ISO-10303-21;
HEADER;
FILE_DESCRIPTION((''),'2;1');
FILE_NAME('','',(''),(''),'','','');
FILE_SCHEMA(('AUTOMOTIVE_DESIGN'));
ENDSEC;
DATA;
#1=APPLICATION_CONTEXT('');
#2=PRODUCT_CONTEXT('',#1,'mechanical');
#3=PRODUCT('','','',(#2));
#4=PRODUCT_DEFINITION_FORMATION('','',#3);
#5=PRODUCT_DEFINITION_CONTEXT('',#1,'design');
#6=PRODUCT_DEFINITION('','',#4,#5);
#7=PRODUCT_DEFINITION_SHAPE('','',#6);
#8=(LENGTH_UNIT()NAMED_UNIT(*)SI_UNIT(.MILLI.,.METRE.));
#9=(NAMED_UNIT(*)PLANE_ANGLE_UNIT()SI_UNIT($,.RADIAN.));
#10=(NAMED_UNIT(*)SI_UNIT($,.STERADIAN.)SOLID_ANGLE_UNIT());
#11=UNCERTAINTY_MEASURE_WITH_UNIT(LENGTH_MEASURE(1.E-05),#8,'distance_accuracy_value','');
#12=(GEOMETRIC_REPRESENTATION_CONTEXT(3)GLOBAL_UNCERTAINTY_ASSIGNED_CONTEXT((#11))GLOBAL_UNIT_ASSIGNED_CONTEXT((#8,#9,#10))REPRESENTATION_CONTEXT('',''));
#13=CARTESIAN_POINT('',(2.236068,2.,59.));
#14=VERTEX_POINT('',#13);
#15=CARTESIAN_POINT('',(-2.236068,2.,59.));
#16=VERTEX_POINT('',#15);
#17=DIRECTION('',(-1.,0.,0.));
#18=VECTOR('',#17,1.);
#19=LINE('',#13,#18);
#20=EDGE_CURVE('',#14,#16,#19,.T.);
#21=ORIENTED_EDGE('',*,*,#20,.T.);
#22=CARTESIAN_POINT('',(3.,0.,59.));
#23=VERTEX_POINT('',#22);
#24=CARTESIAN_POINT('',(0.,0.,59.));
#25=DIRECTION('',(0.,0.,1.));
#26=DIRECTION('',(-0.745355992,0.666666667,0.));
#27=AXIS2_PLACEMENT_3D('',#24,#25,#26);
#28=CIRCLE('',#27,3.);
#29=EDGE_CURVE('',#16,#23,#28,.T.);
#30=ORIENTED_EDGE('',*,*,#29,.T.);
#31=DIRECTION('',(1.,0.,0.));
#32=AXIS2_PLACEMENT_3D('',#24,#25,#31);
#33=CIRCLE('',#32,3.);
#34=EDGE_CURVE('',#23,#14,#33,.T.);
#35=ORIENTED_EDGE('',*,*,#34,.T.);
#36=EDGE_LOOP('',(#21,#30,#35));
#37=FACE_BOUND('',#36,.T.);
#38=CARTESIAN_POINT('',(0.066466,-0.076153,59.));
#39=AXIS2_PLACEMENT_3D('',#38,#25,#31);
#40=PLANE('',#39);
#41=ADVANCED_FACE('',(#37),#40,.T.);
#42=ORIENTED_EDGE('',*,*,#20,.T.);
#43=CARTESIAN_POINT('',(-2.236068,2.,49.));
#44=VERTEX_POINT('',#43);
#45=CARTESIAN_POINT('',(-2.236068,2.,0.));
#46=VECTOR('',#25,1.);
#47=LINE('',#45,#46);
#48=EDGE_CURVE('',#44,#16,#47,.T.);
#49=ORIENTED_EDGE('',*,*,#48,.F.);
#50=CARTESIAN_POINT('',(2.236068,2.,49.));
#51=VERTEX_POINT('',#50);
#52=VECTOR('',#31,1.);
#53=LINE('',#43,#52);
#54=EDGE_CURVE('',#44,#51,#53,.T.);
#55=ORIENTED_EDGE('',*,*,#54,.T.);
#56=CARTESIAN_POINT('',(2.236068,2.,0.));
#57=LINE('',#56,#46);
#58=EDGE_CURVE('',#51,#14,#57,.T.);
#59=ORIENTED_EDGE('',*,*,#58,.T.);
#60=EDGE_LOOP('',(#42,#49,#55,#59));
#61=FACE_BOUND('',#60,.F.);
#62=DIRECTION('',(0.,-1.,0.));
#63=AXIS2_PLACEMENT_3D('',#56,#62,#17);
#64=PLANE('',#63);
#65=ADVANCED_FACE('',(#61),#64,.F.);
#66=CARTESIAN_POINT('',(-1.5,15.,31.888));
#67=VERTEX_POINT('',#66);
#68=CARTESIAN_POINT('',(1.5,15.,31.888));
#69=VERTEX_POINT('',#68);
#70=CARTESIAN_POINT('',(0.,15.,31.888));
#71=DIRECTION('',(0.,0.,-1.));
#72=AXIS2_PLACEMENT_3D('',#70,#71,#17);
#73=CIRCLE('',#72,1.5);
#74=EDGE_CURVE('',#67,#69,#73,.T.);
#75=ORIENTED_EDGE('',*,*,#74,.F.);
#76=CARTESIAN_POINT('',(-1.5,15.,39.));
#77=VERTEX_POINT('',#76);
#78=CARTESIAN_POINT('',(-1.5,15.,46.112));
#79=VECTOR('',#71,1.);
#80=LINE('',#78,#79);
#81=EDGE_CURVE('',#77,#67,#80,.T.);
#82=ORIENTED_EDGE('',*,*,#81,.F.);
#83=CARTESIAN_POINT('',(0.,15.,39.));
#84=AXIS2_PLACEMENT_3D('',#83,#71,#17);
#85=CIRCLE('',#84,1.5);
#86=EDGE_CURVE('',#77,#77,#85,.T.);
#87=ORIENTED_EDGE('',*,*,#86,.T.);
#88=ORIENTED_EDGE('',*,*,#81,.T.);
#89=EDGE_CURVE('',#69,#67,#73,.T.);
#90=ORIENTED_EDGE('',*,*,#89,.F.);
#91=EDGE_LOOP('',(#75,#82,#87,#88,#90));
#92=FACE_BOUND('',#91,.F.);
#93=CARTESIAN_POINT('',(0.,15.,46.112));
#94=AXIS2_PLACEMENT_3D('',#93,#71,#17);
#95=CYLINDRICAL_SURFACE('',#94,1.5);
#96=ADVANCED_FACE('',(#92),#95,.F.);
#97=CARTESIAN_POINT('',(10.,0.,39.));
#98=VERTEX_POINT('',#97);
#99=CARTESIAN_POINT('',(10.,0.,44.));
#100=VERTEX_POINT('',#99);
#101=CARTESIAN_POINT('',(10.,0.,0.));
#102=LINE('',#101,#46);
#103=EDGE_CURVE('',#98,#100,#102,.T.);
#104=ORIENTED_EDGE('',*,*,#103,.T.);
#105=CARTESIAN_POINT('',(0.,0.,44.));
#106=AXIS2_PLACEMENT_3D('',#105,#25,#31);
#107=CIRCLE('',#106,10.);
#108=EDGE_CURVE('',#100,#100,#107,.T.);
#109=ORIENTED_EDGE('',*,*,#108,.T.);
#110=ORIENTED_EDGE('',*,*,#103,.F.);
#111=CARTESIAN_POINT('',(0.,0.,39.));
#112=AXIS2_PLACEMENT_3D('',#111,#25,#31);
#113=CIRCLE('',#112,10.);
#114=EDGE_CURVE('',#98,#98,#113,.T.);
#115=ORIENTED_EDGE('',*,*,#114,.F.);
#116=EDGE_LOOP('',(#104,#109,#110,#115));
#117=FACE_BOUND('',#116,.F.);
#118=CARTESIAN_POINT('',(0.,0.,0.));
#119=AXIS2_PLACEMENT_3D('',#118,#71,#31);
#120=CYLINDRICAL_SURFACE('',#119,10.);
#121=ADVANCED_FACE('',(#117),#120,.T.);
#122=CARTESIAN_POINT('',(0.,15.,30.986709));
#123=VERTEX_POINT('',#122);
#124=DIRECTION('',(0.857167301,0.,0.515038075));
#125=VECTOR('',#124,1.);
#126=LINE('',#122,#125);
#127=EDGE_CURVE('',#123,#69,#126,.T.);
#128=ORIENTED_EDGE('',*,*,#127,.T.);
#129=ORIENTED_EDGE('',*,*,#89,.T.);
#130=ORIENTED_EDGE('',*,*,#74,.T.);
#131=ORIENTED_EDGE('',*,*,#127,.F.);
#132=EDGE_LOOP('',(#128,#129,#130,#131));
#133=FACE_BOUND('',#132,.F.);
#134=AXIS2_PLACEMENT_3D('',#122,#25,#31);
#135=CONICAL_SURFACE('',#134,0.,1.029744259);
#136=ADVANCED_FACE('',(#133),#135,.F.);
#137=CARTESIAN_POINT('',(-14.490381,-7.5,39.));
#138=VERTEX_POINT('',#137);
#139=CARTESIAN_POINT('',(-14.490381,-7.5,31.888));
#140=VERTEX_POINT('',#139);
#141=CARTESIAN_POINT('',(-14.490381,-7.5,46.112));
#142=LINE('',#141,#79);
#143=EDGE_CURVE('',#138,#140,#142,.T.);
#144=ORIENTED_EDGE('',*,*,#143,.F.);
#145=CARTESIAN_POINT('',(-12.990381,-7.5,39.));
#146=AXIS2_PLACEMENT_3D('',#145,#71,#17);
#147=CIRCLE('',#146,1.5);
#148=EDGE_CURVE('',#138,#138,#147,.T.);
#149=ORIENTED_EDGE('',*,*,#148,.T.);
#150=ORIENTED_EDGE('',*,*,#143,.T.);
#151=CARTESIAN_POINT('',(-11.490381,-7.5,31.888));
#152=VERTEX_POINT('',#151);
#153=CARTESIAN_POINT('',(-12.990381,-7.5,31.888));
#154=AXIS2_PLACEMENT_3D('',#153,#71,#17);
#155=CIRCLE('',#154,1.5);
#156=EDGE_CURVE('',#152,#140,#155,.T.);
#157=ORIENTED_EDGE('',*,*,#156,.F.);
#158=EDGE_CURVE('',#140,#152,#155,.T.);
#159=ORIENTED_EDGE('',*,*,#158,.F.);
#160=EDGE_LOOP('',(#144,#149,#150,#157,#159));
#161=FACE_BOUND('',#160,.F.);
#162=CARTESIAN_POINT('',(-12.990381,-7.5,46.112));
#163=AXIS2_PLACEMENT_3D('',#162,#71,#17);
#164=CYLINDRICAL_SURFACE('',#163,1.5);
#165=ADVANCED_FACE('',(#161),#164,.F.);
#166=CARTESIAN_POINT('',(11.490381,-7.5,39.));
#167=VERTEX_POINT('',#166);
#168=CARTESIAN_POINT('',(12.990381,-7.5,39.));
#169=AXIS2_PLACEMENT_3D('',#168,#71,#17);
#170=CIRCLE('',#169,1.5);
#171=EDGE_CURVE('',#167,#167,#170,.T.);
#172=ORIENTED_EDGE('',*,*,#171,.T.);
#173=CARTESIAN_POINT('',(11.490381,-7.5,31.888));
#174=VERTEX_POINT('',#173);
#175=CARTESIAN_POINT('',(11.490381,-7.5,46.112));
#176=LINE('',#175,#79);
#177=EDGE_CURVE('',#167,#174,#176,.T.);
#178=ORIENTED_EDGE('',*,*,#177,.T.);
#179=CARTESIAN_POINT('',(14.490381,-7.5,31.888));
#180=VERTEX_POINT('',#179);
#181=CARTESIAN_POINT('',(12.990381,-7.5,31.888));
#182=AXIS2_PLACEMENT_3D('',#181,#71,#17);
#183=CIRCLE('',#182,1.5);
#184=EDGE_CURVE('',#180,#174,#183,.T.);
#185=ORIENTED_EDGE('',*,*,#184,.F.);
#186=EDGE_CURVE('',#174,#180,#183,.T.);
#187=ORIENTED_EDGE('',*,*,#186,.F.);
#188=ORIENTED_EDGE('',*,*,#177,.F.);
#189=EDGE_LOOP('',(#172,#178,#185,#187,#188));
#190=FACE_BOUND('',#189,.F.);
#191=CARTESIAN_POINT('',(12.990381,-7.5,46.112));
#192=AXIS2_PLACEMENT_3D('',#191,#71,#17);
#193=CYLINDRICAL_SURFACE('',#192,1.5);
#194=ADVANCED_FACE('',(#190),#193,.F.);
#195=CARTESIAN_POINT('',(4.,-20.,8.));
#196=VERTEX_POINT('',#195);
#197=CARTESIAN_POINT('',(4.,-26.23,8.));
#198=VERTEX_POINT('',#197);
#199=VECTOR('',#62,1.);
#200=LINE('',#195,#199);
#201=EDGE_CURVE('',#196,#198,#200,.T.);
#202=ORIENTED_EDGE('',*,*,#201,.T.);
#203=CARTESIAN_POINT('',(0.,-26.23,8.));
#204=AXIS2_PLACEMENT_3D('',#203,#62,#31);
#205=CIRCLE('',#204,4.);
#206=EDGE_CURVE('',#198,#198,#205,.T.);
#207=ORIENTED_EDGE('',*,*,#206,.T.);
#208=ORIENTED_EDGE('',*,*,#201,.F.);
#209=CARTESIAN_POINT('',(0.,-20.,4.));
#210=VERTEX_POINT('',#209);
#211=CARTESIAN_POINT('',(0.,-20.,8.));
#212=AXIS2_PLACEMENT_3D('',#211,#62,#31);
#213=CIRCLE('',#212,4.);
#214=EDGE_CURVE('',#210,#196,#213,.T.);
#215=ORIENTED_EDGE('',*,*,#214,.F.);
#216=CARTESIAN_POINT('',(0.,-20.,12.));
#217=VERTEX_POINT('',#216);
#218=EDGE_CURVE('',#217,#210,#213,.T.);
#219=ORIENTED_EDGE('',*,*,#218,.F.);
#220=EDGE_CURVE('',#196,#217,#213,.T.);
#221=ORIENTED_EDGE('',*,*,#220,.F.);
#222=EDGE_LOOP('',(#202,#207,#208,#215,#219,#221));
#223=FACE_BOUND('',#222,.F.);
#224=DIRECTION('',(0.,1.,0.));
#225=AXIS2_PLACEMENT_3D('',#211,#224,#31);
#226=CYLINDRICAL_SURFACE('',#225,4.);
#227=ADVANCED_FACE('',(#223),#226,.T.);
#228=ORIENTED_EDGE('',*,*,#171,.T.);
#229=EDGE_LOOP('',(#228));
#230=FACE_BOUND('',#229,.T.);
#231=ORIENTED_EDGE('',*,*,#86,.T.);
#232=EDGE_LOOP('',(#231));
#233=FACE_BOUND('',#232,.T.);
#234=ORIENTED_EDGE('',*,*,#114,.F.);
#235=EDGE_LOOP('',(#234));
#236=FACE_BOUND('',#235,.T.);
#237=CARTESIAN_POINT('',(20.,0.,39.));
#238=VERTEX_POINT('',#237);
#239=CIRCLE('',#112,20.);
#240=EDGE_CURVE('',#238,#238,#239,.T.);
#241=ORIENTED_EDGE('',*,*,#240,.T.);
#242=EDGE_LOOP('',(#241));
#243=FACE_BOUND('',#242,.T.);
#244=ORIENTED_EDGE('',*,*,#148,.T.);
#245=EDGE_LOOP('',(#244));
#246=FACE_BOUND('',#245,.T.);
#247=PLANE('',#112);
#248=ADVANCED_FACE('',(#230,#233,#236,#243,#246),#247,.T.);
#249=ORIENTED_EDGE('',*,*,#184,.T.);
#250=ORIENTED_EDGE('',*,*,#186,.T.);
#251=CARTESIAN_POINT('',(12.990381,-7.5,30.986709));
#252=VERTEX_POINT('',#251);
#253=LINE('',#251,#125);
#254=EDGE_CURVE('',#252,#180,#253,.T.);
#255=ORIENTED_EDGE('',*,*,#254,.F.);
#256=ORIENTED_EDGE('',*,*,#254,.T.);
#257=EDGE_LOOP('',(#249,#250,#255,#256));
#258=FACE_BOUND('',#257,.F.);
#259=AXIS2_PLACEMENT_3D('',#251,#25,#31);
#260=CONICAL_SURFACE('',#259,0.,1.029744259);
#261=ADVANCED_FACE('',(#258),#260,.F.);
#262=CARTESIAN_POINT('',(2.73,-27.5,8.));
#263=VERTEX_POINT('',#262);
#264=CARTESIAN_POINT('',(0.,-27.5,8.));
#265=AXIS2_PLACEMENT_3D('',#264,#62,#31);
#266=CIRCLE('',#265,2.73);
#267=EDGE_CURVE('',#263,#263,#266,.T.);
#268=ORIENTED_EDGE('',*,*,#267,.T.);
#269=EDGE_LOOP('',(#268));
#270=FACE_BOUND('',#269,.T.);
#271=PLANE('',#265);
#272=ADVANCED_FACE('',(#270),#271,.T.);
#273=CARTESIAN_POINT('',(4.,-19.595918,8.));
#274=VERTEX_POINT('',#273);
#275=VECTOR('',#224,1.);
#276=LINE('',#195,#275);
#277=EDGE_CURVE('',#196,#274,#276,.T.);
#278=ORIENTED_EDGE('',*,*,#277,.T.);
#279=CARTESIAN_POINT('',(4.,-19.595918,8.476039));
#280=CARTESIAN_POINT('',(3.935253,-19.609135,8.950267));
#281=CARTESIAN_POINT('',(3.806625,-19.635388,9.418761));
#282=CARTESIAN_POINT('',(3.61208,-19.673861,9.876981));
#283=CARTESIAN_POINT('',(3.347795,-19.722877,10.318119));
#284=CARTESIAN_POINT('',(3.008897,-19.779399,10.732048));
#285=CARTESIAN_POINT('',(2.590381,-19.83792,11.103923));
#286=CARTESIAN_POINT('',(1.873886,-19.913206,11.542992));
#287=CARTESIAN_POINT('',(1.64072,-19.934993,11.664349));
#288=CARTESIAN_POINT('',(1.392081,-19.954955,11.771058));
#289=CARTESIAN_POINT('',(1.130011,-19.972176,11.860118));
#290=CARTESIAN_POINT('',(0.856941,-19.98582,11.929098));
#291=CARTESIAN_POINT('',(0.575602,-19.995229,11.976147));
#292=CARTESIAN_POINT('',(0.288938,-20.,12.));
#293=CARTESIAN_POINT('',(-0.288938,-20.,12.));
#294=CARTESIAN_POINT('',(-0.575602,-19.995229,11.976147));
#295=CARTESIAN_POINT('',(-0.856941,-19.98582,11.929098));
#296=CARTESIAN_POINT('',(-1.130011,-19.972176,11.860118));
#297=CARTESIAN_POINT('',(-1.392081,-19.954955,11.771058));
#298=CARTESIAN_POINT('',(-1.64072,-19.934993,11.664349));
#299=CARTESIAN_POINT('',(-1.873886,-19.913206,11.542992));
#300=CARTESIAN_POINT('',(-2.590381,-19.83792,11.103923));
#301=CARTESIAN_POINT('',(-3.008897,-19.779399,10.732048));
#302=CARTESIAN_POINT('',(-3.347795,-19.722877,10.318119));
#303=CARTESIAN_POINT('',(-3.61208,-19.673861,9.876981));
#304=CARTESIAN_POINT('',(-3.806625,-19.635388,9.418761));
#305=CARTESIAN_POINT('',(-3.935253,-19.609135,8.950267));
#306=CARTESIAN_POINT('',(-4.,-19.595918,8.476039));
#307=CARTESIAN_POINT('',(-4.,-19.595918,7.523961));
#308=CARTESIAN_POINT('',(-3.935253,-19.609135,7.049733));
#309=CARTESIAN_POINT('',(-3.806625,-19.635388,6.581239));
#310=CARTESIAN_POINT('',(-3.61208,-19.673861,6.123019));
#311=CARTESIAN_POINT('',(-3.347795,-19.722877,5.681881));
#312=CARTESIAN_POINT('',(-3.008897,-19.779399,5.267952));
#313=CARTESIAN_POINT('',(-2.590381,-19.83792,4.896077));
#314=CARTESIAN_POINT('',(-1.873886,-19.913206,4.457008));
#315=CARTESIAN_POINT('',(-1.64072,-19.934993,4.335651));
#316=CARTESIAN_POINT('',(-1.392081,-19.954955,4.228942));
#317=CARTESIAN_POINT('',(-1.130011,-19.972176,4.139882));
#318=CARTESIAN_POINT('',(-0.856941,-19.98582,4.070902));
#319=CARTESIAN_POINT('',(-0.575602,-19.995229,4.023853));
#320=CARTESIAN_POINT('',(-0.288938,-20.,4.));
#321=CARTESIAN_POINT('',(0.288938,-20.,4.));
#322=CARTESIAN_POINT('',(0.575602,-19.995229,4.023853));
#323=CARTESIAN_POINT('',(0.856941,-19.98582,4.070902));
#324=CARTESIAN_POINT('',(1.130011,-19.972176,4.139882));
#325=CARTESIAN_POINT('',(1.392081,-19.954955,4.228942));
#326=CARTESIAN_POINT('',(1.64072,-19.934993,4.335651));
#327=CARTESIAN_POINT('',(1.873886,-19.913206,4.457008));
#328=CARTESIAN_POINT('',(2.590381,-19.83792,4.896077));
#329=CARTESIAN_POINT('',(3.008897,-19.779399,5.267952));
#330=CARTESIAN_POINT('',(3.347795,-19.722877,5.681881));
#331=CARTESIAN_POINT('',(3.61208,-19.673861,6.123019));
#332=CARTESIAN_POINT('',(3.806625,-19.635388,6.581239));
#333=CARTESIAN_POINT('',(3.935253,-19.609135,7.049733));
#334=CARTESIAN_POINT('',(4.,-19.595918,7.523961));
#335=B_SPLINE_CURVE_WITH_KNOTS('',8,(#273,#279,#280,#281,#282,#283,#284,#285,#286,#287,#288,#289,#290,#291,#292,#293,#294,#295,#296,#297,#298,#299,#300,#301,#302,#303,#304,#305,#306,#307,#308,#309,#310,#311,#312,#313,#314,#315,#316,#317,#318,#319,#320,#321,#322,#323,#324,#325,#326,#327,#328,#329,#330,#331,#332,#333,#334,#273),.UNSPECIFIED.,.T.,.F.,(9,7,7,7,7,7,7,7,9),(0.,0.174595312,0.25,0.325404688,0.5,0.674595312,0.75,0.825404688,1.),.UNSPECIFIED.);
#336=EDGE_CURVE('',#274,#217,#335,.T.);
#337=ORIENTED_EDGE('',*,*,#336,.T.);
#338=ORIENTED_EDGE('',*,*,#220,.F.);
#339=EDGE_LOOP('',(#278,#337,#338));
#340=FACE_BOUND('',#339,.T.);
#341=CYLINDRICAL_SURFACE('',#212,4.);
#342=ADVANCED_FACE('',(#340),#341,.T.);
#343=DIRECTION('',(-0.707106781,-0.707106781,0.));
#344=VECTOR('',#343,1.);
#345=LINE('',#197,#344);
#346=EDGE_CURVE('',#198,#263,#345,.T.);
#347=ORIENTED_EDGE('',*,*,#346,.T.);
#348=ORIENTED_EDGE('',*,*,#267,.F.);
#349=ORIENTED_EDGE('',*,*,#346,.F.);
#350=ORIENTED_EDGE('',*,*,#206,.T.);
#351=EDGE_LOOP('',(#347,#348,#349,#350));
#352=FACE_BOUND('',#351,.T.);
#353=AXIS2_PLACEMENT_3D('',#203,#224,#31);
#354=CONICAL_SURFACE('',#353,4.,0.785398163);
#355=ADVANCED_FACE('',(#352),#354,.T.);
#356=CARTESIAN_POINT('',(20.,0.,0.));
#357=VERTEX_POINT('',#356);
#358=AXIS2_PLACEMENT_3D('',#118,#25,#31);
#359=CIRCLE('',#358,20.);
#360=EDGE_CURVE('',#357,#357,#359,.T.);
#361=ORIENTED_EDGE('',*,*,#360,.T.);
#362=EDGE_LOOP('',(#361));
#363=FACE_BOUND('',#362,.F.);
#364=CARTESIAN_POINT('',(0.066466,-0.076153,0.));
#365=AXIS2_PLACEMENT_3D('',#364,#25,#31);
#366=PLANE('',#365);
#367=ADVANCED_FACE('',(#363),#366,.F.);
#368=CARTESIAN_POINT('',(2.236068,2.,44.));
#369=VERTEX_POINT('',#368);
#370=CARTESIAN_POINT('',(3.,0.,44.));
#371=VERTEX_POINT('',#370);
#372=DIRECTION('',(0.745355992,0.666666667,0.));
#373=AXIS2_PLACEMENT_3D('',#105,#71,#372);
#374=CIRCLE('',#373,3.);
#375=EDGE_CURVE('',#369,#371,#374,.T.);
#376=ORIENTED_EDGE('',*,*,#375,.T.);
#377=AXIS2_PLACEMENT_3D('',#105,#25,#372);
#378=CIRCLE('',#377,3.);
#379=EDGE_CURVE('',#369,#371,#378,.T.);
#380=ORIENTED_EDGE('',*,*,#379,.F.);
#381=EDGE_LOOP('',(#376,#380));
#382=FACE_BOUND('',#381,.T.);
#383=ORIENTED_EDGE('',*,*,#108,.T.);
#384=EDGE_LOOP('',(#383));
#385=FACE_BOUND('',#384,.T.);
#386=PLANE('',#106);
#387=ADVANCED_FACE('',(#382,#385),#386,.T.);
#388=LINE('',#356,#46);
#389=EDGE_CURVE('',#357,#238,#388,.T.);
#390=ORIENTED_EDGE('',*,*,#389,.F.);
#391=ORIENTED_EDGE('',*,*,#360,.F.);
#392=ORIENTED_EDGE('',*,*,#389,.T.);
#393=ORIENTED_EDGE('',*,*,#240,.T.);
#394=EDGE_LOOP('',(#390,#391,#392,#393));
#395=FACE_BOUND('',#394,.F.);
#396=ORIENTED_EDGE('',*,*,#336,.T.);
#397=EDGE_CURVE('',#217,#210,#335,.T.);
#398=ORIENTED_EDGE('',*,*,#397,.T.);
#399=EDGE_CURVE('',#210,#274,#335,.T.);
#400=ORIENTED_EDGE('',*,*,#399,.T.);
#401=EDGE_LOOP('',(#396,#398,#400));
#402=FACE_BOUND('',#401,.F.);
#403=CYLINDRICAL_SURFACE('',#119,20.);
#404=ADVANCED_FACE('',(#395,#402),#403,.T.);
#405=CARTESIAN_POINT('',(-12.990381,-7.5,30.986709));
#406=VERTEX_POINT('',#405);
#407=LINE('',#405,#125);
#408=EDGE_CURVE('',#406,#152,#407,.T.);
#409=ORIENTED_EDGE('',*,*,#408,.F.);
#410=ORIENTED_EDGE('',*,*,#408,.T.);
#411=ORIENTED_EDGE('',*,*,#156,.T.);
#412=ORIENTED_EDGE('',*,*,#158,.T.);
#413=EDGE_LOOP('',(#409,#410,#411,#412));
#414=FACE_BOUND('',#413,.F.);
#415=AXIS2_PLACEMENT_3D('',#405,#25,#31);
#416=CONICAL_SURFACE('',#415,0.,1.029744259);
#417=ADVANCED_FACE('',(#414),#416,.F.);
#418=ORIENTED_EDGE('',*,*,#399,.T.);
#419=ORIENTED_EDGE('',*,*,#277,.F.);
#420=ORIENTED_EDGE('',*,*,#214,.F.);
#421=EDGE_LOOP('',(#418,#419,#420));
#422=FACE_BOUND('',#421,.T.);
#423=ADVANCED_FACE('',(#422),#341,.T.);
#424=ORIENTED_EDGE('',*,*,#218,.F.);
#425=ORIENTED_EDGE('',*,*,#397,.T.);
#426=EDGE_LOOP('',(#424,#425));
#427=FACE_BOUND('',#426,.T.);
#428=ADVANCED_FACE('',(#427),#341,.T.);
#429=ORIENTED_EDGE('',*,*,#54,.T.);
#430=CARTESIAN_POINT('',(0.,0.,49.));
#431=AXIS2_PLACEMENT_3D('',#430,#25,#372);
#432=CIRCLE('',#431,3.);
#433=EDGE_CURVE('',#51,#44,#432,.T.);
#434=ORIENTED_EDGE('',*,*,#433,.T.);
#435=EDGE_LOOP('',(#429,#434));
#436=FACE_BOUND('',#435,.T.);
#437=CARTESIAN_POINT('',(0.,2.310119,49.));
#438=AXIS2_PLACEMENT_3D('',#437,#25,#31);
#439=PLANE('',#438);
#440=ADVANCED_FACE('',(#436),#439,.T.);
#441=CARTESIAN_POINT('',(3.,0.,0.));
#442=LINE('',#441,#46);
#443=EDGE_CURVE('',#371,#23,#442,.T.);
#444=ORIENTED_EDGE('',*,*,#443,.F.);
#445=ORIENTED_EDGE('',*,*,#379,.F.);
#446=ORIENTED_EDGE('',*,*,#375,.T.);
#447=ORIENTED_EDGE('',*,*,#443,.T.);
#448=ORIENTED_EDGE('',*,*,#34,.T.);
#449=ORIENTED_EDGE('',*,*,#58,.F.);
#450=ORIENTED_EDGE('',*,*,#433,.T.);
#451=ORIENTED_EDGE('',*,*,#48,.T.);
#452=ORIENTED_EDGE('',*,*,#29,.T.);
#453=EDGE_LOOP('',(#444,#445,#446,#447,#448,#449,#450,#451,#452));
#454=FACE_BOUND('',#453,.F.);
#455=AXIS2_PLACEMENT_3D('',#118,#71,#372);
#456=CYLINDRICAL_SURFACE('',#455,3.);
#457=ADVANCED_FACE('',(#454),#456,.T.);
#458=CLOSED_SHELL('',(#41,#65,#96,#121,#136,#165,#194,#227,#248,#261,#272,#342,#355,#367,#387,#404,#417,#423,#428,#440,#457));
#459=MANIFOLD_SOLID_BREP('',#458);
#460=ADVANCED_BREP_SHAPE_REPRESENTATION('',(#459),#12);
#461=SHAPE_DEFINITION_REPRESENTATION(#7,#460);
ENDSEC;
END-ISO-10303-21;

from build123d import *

# Parameters (mm, degrees)
F0_R          = 20
F0_R_2        = 10
F1_DEPTH      = 39
F2_DEPTH      = 44
F3_DEPTH      = 59
F4_DEPTH      = 49
F6_R          = 4
F7_DEPTH      = 7.5
F7_DEPTH_BACK = 25.4
F8_SIZE       = 1.27
F10_D         = 3
F10_DEPTH     = 7.112
F10_TIP       = 0.9012909285


with BuildPart() as f1:
    # F0 (on Top) → F1 (new body)
    with BuildSketch(Plane.XY):
        Circle(F0_R)
        Circle(F0_R_2, mode=Mode.SUBTRACT)
    extrude(amount=F1_DEPTH)

    # F0 (on Top) → F2 (join)
    with BuildSketch(Plane.XY):
        Circle(F0_R_2)
        with BuildLine():
            ThreePointArc((2.2360679775, 2), (2.8025170769, 1.0704662693), (3, 0))
            ThreePointArc((3, 0), (-1.0704662693, -2.8025170769), (-2.2360679775, 2))
            ThreePointArc((-2.2360679775, 2), (0, 3), (2.2360679775, 2))
        make_face(mode=Mode.SUBTRACT)
    extrude(amount=F2_DEPTH)

    # F0 (on Top) → F3 (join)
    with BuildSketch(Plane.XY):
        with BuildLine():
            ThreePointArc((-2.2360679775, 2), (-1.0704662693, -2.8025170769), (3, 0))
            ThreePointArc((3, 0), (2.8025170769, 1.0704662693), (2.2360679775, 2))
            Line((2.2360679775, 2), (-2.2360679775, 2))
        make_face()
    extrude(amount=F3_DEPTH)

    # F0 (on Top) → F4 (join)
    with BuildSketch(Plane.XY):
        with BuildLine():
            Line((-2.2360679775, 2), (2.2360679775, 2))
            ThreePointArc((2.2360679775, 2), (0, 3), (-2.2360679775, 2))
        make_face()
    extrude(amount=F4_DEPTH)

    # F6 (on offset) → F7 (join, two sides)
    with BuildSketch(Plane.XZ.offset(20)) as f7_sk:
        with Locations((0, 8)):
            Circle(F6_R)
    extrude(amount=F7_DEPTH)
    extrude(f7_sk.sketch, amount=-F7_DEPTH_BACK)

    # F8
    f8_edges = [f1.edges().sort_by_distance(p)[0] for p in [
        (-4, -27.5, 8),
    ]]
    chamfer(f8_edges, length=F8_SIZE)

    # F10
    with Locations(Plane.XY.offset(39)):
        with Locations((0, 15), (-12.9903810568, -7.5), (12.9903810568, -7.5)):
            Hole(F10_D / 2, depth=F10_DEPTH)
            with Locations((0, 0, -(F10_DEPTH + F10_TIP / 2))):  # 118° drill point
                Cone(0, F10_D / 2, F10_TIP, mode=Mode.SUBTRACT)


solid = f1.part
